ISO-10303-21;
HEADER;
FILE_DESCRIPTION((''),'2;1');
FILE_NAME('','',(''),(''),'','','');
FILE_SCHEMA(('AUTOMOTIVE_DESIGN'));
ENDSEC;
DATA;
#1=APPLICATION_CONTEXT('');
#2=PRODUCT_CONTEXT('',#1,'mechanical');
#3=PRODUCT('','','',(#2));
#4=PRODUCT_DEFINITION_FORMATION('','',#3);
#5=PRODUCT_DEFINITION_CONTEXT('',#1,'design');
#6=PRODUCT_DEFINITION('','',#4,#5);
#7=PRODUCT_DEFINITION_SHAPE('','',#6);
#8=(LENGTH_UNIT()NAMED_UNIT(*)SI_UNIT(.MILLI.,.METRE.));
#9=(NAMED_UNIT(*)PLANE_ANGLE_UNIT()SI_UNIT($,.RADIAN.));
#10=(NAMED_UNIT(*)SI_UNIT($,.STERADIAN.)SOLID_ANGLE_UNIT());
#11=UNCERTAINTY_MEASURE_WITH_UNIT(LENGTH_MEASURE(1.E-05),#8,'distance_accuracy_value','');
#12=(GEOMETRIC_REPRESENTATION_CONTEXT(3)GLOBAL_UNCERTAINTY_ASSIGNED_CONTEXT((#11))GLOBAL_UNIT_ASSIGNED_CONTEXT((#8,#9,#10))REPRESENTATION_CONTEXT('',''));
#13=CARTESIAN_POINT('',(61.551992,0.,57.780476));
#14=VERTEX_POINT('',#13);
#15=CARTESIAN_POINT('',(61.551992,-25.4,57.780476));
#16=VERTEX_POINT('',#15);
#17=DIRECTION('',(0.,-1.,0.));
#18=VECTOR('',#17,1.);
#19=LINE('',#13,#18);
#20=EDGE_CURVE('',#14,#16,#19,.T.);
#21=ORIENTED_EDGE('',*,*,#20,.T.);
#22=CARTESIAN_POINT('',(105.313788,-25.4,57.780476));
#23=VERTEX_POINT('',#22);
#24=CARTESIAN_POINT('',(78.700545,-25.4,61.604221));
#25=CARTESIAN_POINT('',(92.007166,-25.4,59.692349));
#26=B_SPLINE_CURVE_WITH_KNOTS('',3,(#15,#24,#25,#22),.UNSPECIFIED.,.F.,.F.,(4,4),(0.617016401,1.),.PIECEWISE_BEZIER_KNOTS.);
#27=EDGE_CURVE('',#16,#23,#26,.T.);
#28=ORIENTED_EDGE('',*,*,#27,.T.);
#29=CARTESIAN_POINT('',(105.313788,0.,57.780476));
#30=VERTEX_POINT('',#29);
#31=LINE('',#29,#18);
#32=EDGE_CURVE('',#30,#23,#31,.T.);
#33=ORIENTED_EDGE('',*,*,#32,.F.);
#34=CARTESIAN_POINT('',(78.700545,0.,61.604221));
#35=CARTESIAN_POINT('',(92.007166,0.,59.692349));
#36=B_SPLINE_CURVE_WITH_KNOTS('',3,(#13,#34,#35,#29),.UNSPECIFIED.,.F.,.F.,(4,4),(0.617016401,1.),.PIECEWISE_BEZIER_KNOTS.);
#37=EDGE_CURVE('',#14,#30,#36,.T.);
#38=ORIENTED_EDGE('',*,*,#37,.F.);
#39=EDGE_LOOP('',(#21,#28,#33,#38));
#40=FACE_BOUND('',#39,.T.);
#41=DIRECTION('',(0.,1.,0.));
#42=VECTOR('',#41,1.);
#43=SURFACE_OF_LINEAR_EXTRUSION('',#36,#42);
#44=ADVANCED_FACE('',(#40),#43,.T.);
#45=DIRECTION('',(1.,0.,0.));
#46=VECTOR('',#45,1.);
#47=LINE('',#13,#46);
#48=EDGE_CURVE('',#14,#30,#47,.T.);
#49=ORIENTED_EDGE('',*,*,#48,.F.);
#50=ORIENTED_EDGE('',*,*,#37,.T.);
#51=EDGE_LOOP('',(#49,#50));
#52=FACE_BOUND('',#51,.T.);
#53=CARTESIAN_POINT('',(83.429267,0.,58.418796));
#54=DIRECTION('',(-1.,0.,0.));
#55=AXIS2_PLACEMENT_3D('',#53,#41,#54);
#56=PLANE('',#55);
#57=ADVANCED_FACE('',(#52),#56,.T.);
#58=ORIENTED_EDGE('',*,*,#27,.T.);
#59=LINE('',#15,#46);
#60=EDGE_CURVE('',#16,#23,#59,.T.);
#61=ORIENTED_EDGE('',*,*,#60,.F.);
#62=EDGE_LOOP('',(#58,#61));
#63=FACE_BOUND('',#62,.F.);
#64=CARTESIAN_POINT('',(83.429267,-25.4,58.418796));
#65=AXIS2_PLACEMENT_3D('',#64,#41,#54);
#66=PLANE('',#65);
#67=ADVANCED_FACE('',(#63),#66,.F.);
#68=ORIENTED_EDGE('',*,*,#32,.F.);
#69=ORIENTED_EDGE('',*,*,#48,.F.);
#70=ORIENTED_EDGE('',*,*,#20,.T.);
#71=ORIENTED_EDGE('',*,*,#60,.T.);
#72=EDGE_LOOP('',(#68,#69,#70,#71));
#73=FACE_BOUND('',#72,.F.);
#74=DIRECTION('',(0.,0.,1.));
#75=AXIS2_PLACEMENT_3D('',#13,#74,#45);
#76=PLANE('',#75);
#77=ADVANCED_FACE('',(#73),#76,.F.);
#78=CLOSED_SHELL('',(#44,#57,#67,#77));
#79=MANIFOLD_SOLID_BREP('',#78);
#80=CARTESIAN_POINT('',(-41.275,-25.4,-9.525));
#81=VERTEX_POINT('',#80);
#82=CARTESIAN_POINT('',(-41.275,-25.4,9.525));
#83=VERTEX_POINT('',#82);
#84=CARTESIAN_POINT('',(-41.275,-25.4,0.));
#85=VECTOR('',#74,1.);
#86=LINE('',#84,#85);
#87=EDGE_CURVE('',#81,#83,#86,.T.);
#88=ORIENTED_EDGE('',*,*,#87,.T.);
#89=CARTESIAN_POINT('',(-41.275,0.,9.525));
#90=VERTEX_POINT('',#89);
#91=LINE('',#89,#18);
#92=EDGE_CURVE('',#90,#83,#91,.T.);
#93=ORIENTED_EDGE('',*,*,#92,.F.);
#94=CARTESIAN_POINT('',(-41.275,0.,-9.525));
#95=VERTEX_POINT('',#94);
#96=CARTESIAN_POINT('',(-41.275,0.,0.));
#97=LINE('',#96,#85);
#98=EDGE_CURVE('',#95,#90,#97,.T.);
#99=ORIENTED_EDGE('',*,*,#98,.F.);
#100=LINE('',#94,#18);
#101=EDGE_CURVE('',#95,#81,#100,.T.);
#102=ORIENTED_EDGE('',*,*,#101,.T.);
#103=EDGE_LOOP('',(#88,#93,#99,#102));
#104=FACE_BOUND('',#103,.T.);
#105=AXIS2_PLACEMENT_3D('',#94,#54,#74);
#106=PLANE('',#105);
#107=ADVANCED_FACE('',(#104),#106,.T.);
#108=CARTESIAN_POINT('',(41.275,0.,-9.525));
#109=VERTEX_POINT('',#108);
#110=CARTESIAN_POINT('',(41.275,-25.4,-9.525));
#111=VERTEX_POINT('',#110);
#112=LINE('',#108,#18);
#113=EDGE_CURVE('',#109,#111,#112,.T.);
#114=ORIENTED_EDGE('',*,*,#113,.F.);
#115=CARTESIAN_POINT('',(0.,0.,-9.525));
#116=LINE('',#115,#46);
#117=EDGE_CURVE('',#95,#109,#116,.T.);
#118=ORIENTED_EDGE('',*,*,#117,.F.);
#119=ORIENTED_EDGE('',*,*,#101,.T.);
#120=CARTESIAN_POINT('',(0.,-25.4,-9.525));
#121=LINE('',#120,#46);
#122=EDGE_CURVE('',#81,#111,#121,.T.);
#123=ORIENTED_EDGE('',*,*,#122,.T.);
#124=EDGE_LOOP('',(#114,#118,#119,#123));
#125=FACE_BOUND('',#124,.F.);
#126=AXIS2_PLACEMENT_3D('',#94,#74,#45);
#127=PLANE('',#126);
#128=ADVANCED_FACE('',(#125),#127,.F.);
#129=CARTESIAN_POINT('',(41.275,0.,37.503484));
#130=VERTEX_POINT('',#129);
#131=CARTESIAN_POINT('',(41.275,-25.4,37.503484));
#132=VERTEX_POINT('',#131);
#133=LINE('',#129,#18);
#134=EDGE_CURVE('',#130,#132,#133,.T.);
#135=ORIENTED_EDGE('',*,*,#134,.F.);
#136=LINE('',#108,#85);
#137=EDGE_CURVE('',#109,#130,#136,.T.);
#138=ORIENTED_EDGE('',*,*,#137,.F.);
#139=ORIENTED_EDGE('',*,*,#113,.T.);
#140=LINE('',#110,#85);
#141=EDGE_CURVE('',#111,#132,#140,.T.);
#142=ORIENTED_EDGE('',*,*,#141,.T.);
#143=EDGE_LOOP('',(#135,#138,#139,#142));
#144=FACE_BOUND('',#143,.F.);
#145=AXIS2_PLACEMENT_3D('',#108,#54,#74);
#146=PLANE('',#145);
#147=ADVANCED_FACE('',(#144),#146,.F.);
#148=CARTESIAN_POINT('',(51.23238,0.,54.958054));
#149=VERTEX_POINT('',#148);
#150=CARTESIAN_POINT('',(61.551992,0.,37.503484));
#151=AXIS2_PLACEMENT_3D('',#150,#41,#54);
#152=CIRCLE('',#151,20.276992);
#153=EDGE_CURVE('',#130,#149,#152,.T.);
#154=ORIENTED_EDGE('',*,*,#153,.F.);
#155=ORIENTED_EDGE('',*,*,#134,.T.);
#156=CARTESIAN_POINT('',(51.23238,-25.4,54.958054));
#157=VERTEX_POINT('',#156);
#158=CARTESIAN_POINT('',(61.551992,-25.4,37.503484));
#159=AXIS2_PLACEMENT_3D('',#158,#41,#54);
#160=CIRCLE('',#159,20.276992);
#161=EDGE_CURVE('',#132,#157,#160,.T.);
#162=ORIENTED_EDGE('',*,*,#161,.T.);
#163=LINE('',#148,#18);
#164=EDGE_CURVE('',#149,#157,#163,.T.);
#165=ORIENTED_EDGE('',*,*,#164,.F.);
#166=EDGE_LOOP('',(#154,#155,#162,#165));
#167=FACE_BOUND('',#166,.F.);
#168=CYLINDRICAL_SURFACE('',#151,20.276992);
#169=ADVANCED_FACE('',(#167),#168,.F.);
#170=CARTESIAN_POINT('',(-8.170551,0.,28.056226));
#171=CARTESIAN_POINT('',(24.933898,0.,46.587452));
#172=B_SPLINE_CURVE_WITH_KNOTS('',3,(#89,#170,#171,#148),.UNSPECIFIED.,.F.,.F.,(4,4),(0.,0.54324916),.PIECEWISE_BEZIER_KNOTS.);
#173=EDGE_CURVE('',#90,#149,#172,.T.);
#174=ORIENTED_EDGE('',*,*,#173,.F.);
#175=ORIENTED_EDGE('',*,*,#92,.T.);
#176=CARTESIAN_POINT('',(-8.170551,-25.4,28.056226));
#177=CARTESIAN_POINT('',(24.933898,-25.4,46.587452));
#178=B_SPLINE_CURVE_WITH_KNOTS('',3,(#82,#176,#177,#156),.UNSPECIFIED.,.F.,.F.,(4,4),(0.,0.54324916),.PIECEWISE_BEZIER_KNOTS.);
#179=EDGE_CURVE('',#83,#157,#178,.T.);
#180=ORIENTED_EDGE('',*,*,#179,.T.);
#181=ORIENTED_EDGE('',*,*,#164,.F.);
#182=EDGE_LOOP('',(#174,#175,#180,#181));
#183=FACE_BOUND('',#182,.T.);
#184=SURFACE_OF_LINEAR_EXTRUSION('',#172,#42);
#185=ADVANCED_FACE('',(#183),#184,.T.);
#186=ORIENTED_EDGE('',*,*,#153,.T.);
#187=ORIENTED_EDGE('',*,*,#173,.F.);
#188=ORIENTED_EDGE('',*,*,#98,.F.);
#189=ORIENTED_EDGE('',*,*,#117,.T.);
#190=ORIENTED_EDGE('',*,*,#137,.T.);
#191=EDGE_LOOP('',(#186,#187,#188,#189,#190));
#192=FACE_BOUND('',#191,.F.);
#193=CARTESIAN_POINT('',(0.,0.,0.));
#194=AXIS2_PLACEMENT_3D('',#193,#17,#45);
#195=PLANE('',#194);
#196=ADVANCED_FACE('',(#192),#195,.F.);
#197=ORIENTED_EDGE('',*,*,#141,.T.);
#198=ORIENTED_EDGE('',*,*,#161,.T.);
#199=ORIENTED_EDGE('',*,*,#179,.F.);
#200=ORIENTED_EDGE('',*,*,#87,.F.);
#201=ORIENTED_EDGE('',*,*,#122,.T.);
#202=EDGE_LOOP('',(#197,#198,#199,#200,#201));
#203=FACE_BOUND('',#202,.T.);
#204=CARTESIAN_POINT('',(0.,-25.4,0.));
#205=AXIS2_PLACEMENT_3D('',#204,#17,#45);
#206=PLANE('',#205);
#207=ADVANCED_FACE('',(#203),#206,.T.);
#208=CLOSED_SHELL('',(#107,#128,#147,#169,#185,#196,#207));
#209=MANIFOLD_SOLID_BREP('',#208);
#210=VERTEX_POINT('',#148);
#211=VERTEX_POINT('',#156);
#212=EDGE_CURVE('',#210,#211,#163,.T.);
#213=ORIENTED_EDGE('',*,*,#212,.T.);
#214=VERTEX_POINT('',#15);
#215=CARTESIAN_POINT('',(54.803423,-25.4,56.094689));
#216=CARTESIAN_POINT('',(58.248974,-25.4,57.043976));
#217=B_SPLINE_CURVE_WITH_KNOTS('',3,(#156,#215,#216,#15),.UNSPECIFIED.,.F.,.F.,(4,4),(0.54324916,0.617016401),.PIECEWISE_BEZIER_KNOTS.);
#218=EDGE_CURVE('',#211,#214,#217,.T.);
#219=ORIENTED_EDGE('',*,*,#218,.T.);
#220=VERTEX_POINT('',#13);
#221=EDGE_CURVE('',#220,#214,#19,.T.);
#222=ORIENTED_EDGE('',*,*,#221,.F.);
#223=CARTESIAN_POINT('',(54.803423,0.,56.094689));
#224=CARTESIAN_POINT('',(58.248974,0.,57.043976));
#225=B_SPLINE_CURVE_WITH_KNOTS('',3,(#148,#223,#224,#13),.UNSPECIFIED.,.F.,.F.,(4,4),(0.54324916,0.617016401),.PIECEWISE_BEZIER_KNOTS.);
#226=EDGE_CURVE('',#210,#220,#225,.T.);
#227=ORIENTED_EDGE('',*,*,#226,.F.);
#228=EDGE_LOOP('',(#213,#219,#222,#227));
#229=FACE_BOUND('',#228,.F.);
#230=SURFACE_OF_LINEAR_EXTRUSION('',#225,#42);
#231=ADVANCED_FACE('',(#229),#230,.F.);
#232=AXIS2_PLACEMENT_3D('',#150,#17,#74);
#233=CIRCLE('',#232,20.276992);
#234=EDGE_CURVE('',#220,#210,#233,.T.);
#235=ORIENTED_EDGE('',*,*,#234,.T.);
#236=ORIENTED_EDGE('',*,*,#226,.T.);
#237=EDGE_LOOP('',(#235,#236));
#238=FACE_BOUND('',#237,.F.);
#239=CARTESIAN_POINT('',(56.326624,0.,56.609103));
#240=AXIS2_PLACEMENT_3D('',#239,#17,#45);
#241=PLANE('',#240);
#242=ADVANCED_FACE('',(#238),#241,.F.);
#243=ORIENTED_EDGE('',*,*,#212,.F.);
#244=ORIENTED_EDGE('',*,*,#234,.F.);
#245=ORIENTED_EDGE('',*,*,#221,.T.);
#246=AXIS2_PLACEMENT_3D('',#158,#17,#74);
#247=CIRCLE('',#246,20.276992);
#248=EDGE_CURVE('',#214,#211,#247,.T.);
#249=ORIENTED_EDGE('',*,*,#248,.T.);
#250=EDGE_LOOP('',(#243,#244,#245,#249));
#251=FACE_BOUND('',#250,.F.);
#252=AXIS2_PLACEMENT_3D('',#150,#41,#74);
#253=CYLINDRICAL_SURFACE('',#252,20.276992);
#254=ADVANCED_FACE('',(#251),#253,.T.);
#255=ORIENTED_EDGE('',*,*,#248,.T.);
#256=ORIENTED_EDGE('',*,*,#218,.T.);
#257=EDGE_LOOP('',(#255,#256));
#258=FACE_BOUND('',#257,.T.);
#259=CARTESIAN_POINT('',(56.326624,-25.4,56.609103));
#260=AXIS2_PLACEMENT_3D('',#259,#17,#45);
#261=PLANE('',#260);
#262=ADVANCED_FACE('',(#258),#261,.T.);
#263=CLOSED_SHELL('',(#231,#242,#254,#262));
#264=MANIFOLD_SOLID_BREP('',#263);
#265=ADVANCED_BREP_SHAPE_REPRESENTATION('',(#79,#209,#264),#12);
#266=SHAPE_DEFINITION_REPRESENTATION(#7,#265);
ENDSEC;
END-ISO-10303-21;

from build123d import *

# Parameters (mm, degrees)
F0_W     = 82.55
F0_H     = 19.05
F1_DEPTH = 25.4


with BuildPart() as f1:
    # F0 (on Front) → F1 (new body)
    with BuildSketch(Plane.XZ):
        Rectangle(F0_W, F0_H)
        with BuildLine():
            add(Edge.make_bspline(
                [(-41.275, 9.525), (-8.1705508322, 28.056225928), (24.9338983356, 46.587451856), (51.2323798296, 54.9580537814)],
                knots=[0, 0, 0, 0, 0.5432491603, 0.5432491603, 0.5432491603, 0.5432491603], degree=3))
            Line((-41.275, 9.525), (41.275, 9.525))
            Line((41.275, 9.525), (41.275, 37.5034841796))
            ThreePointArc((41.275, 37.5034841796), (43.9393956885, 47.5510138891), (51.2323798296, 54.9580537814))
        make_face()
    extrude(amount=F1_DEPTH)


with BuildPart() as f1b:
    # F0 (on Front) → F1, piece 2 (new body)
    with BuildSketch(Plane.XZ):
        with BuildLine():
            add(Edge.make_bspline(
                [(61.5519915361, 57.7804757157), (78.7005453199, 61.6042213205), (92.0071664175, 59.6923485181), (105.3137875151, 57.7804757157)],
                knots=[0.6170164009, 0.6170164009, 0.6170164009, 0.6170164009, 1, 1, 1, 1], degree=3))
            Line((61.5519915361, 57.7804757157), (105.3137875151, 57.7804757157))
        make_face()
    extrude(amount=F1_DEPTH)


with BuildPart() as f1c:
    # F0 (on Front) → F1, piece 3 (new body)
    with BuildSketch(Plane.XZ):
        with BuildLine():
            ThreePointArc((61.5519915361, 57.7804757157), (56.2026819697, 57.0621465295), (51.2323798296, 54.9580537814))
            add(Edge.make_bspline(
                [(51.2323798296, 54.9580537814), (54.8034233841, 56.0946891441), (58.2489741323, 57.0439763911), (61.5519915361, 57.7804757157)],
                knots=[0.5432491603, 0.5432491603, 0.5432491603, 0.5432491603, 0.6170164009, 0.6170164009, 0.6170164009, 0.6170164009], degree=3))
        make_face()
    extrude(amount=F1_DEPTH)


solid = Compound([f1.part, f1b.part, f1c.part])
